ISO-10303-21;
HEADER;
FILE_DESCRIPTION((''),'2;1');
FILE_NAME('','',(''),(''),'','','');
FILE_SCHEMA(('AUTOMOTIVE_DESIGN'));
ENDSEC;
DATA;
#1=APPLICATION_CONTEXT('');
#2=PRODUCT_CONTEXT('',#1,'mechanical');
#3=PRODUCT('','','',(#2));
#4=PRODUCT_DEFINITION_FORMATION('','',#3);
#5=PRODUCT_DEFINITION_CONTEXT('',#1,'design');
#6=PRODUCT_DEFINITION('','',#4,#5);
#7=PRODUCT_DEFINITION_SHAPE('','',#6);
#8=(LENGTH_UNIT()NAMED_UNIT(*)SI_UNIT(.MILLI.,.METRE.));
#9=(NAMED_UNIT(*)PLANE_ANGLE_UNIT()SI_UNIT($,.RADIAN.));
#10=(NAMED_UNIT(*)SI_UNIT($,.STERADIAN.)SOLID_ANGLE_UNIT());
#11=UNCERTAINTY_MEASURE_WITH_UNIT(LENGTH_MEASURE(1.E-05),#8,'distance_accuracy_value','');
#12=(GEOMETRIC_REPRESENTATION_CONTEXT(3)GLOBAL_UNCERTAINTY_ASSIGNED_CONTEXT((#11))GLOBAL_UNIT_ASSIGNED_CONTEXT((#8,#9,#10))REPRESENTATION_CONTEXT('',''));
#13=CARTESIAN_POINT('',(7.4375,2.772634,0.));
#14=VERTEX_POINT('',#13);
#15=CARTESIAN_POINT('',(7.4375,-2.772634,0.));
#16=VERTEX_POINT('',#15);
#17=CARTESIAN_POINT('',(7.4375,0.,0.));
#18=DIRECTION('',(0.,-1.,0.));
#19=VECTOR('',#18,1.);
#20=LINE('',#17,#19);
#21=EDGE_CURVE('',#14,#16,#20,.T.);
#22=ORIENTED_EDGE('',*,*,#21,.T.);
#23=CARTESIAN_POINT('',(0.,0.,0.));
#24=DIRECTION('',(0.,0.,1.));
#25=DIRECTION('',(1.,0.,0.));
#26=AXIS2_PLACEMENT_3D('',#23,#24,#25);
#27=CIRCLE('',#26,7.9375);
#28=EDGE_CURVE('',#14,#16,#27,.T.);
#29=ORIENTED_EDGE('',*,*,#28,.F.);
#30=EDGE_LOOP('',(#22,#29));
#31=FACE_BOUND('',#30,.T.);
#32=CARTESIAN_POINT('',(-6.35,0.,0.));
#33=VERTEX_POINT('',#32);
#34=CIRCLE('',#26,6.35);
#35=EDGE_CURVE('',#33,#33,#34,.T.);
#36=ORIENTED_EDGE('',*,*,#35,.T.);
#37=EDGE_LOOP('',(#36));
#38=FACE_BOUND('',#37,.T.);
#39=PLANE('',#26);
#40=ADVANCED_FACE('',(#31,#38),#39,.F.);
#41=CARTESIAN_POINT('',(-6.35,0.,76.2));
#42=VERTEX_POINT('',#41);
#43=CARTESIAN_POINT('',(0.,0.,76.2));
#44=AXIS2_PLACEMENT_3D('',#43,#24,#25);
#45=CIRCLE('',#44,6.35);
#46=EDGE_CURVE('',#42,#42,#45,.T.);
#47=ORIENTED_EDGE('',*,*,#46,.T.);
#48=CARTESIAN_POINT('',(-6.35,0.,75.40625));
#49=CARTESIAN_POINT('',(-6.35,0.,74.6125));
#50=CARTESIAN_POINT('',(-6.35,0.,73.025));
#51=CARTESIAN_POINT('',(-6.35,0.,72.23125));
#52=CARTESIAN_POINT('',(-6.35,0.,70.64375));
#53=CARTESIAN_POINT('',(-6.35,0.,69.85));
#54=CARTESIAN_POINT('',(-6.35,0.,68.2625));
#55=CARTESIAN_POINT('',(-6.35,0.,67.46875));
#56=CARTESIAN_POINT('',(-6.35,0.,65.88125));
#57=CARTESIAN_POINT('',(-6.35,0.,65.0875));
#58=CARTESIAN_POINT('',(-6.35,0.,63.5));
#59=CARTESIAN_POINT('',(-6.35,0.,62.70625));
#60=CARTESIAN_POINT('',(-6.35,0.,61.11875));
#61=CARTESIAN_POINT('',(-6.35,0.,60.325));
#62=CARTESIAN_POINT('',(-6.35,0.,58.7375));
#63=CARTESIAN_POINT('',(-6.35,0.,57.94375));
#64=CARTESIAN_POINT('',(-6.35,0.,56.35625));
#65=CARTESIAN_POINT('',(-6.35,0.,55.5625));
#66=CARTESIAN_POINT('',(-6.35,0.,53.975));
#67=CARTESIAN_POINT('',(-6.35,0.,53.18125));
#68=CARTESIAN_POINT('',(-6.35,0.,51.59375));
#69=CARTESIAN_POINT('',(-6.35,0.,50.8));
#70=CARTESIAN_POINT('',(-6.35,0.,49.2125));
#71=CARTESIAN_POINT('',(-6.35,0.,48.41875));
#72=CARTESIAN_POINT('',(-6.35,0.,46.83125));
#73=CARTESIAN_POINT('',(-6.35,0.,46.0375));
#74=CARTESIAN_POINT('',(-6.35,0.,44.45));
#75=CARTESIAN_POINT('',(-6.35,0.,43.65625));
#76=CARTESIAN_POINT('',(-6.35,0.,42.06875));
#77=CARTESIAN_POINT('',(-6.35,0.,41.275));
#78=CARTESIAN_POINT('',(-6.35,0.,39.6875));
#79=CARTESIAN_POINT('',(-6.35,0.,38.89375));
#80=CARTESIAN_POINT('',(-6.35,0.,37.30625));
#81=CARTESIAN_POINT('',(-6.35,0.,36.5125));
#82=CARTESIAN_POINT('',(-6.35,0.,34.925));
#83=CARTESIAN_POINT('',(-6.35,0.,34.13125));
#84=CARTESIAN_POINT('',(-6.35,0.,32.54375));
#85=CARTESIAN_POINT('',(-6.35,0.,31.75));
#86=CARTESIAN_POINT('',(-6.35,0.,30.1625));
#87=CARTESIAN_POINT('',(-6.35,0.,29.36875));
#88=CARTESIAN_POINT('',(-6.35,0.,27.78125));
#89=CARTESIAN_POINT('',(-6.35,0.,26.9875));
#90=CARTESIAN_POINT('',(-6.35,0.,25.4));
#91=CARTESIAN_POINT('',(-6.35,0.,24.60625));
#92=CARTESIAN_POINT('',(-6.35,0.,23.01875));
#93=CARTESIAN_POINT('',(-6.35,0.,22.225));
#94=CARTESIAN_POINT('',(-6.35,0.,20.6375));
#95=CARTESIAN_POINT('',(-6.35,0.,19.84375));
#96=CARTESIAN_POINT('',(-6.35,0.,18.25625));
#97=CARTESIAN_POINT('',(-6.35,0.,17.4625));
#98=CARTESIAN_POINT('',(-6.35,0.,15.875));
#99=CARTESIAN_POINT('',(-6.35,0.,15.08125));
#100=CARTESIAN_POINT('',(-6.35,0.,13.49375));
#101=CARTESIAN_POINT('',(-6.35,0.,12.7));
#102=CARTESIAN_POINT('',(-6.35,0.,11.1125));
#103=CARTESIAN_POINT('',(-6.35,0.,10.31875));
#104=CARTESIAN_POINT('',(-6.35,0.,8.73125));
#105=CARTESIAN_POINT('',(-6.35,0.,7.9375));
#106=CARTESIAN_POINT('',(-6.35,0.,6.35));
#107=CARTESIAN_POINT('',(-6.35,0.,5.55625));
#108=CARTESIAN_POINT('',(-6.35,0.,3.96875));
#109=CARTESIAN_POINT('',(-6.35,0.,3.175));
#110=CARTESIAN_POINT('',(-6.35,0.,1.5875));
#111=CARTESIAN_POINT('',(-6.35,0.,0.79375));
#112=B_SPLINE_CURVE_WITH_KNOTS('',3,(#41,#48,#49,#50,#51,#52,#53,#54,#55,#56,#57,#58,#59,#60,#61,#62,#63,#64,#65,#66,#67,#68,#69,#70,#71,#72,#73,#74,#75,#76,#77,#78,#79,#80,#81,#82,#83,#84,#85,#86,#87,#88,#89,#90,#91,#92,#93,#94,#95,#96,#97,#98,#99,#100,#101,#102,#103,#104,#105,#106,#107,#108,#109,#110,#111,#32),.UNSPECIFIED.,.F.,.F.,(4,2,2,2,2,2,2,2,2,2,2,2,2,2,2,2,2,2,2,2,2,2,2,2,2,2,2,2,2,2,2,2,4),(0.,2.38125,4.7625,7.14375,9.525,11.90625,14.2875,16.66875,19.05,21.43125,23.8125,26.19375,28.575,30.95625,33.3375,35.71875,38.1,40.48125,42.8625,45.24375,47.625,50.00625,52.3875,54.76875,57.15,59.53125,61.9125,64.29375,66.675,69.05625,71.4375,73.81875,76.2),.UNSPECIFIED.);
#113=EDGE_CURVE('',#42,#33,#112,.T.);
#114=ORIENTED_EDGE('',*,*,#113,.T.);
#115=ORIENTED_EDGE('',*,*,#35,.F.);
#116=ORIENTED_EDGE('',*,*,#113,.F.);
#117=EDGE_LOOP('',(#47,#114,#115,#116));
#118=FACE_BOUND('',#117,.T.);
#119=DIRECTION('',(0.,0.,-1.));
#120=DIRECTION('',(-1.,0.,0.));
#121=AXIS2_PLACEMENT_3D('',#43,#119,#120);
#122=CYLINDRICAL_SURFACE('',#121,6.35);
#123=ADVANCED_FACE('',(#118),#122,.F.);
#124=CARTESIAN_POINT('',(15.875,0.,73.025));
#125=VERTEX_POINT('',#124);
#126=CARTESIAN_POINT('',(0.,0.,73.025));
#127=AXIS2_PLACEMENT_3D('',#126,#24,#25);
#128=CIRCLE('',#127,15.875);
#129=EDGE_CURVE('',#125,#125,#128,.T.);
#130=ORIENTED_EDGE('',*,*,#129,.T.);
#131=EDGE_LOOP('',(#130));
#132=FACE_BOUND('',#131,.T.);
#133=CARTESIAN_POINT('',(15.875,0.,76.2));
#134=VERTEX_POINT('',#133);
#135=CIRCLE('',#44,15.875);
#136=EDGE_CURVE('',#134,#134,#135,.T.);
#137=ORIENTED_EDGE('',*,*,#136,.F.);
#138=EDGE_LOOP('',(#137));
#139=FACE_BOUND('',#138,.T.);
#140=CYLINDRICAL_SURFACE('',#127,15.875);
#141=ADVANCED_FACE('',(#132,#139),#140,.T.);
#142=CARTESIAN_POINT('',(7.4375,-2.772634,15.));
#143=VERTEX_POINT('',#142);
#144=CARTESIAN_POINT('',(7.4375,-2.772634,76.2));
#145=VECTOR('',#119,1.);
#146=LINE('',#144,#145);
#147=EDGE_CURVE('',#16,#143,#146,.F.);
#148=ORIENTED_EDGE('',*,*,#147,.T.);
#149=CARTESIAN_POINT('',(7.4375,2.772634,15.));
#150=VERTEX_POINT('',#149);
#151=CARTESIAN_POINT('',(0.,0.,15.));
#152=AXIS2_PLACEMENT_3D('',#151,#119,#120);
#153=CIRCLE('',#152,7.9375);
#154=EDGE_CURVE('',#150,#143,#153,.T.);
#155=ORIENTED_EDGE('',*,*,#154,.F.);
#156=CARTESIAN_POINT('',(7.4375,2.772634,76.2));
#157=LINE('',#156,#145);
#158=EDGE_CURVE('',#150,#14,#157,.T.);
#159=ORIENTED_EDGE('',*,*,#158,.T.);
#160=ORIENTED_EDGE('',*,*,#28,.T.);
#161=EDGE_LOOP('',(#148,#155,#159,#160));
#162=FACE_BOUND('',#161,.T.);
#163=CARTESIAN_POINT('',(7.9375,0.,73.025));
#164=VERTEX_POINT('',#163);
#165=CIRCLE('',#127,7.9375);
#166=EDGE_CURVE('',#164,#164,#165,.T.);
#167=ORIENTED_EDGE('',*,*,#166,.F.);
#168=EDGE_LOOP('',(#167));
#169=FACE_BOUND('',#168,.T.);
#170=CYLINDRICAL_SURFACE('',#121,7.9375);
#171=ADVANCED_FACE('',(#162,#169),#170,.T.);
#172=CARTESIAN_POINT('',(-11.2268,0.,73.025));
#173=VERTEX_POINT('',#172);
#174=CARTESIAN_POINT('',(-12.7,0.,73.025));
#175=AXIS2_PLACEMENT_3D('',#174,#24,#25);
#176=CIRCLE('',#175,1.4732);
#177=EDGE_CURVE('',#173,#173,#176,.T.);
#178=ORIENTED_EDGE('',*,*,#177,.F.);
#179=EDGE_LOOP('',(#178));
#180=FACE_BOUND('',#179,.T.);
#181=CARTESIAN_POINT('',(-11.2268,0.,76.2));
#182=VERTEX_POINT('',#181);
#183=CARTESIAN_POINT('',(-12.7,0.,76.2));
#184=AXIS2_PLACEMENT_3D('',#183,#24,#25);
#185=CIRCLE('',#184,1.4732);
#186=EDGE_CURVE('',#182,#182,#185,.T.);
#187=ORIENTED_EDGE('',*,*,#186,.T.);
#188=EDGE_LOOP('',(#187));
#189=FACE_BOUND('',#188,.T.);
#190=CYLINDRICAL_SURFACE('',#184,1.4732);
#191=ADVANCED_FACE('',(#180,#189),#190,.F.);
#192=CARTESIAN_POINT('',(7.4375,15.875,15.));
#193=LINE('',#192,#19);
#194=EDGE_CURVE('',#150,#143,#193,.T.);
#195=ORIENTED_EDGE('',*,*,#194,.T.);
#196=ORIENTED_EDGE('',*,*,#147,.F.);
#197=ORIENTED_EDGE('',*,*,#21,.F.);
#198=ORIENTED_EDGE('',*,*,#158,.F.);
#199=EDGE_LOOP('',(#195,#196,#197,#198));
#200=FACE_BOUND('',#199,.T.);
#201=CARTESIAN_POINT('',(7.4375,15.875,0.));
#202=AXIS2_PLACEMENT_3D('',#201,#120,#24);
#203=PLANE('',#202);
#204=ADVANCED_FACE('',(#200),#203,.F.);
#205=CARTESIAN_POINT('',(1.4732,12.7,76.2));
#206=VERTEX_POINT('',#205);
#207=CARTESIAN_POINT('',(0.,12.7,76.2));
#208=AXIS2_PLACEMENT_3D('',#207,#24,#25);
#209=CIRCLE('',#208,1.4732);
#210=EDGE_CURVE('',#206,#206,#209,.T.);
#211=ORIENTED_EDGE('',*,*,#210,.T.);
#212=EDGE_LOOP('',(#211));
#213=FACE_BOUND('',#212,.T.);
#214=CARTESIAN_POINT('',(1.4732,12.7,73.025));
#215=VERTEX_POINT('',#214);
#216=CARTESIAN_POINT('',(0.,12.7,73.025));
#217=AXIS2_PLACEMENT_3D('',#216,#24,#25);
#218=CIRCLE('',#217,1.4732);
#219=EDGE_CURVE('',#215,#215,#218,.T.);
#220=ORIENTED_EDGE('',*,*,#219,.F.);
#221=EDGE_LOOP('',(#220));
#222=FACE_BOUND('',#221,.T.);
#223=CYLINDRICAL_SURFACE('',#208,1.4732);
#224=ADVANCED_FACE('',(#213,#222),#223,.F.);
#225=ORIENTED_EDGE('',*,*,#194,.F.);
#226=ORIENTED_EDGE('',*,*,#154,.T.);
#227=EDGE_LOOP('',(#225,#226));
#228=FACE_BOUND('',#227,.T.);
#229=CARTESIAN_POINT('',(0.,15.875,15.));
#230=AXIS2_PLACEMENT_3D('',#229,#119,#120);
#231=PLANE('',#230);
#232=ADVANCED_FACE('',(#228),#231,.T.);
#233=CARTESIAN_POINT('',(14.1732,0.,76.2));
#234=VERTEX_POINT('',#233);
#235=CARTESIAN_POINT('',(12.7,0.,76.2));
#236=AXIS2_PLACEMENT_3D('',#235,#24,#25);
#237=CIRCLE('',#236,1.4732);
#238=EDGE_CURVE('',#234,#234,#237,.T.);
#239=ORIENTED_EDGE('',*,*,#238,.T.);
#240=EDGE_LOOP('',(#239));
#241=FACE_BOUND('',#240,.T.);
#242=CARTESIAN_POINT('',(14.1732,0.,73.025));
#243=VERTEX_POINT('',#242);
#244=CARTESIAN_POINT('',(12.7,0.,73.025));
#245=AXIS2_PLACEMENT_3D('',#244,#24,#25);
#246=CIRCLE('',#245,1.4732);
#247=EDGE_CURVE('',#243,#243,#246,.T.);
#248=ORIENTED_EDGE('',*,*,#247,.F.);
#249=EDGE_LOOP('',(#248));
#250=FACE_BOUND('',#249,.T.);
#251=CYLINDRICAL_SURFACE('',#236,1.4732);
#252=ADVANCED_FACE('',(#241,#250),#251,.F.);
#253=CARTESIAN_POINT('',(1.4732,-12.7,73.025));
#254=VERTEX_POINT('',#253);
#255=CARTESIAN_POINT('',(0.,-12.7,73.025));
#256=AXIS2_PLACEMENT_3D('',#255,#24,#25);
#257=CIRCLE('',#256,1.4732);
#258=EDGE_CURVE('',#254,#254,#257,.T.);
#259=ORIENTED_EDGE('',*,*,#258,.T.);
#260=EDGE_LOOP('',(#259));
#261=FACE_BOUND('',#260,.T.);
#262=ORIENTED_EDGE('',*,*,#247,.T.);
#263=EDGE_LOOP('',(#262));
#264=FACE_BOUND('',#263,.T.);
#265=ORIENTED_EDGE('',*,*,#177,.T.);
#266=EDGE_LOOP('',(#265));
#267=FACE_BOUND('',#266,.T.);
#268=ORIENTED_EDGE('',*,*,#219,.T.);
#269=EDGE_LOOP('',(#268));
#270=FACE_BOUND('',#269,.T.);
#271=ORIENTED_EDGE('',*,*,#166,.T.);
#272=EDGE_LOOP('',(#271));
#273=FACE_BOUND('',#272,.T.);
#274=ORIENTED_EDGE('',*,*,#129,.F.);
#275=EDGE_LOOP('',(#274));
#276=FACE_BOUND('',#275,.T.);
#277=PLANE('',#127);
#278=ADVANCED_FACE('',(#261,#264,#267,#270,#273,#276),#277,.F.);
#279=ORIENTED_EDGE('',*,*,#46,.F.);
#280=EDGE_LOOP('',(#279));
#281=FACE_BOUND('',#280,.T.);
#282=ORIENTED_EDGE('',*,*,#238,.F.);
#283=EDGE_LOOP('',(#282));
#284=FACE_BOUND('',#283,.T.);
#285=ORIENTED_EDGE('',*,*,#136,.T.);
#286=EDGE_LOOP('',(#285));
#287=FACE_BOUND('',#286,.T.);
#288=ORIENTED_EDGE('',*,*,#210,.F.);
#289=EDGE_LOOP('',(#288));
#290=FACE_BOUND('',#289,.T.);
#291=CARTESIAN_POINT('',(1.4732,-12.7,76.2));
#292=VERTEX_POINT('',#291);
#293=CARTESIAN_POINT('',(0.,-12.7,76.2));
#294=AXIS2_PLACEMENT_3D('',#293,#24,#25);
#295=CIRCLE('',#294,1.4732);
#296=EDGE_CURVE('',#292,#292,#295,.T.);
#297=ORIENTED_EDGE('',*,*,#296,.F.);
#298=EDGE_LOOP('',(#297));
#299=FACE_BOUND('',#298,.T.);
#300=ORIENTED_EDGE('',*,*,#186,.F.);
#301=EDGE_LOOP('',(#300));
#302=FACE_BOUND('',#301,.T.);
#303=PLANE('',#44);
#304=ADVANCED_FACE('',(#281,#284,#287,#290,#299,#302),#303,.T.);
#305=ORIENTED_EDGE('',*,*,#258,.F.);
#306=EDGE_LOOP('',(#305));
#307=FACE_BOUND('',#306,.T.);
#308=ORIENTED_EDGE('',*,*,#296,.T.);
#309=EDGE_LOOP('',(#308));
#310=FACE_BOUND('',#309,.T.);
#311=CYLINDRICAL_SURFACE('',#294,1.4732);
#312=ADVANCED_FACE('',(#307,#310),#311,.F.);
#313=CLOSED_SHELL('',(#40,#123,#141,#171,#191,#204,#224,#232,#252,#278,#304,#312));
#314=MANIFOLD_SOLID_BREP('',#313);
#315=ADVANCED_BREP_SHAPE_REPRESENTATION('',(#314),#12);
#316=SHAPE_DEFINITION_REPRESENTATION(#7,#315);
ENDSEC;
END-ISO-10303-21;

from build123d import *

# Parameters (mm, degrees)
SKETCH1_R                 = 7.9375
SKETCH1_R_2               = 6.35
BOSS_EXTRUDE1_DEPTH       = 76.2
BOSS_EXTRUDE2_START       = -3.175
SKETCH2_R                 = 15.875
SKETCH2_R_2               = 6.35
BOSS_EXTRUDE2_DEPTH       = 3.175
F_4_CLEARANCE_HOLE1_D     = 2.9464
F_4_CLEARANCE_HOLE1_DEPTH = 4
F_4_CLEARANCE_HOLE1_TIP   = 0.885187864
CUT_EXTRUDE1_DEPTH        = 80.43847462
CUT_EXTRUDE1_DEPTH_BACK   = 80.43847462
SKETCH6_W                 = 4.137147463
SKETCH6_H                 = 15


with BuildPart() as part:
    # Sketch1 → Boss-Extrude1 (new body)
    with BuildSketch(Plane.XY):
        with Locations(Location((0, 0, 0), (0, 0, 180))):
            Circle(SKETCH1_R)
        with Locations(Location((0, 0, 0), (0, 0, 180))):
            Circle(SKETCH1_R_2, mode=Mode.SUBTRACT)
    extrude(amount=BOSS_EXTRUDE1_DEPTH)

    # Sketch2 → Boss-Extrude2 (add)
    with BuildSketch(Plane.XY.offset(76.2).offset(BOSS_EXTRUDE2_START)):
        Circle(SKETCH2_R)
        with Locations(Location((0, 0, 0), (0, 0, 180))):
            Circle(SKETCH2_R_2, mode=Mode.SUBTRACT)
    extrude(amount=BOSS_EXTRUDE2_DEPTH)

    # #4 Clearance Hole1
    with Locations(Plane.XY.offset(76.2)):
        with Locations((0, 12.7), (0, -12.7), (12.7, 0), (-12.7, 0)):
            Hole(F_4_CLEARANCE_HOLE1_D / 2, depth=F_4_CLEARANCE_HOLE1_DEPTH)
            with Locations((0, 0, -(F_4_CLEARANCE_HOLE1_DEPTH + F_4_CLEARANCE_HOLE1_TIP / 2))):  # 118° drill point
                Cone(0, F_4_CLEARANCE_HOLE1_D / 2, F_4_CLEARANCE_HOLE1_TIP, mode=Mode.SUBTRACT)

    # Sketch6 → Cut-Extrude1 (cut, two sides: drawn at the far end of the back side and taken through both)
    with BuildSketch(Plane(origin=(0, 0, 0), x_dir=(1, 0, 0), z_dir=(0, 1, 0)).offset(-CUT_EXTRUDE1_DEPTH_BACK)):
        with Locations((9.506073732, -7.5)):
            Rectangle(SKETCH6_W, SKETCH6_H)
    extrude(amount=CUT_EXTRUDE1_DEPTH + CUT_EXTRUDE1_DEPTH_BACK, mode=Mode.SUBTRACT)


solid = part.part
